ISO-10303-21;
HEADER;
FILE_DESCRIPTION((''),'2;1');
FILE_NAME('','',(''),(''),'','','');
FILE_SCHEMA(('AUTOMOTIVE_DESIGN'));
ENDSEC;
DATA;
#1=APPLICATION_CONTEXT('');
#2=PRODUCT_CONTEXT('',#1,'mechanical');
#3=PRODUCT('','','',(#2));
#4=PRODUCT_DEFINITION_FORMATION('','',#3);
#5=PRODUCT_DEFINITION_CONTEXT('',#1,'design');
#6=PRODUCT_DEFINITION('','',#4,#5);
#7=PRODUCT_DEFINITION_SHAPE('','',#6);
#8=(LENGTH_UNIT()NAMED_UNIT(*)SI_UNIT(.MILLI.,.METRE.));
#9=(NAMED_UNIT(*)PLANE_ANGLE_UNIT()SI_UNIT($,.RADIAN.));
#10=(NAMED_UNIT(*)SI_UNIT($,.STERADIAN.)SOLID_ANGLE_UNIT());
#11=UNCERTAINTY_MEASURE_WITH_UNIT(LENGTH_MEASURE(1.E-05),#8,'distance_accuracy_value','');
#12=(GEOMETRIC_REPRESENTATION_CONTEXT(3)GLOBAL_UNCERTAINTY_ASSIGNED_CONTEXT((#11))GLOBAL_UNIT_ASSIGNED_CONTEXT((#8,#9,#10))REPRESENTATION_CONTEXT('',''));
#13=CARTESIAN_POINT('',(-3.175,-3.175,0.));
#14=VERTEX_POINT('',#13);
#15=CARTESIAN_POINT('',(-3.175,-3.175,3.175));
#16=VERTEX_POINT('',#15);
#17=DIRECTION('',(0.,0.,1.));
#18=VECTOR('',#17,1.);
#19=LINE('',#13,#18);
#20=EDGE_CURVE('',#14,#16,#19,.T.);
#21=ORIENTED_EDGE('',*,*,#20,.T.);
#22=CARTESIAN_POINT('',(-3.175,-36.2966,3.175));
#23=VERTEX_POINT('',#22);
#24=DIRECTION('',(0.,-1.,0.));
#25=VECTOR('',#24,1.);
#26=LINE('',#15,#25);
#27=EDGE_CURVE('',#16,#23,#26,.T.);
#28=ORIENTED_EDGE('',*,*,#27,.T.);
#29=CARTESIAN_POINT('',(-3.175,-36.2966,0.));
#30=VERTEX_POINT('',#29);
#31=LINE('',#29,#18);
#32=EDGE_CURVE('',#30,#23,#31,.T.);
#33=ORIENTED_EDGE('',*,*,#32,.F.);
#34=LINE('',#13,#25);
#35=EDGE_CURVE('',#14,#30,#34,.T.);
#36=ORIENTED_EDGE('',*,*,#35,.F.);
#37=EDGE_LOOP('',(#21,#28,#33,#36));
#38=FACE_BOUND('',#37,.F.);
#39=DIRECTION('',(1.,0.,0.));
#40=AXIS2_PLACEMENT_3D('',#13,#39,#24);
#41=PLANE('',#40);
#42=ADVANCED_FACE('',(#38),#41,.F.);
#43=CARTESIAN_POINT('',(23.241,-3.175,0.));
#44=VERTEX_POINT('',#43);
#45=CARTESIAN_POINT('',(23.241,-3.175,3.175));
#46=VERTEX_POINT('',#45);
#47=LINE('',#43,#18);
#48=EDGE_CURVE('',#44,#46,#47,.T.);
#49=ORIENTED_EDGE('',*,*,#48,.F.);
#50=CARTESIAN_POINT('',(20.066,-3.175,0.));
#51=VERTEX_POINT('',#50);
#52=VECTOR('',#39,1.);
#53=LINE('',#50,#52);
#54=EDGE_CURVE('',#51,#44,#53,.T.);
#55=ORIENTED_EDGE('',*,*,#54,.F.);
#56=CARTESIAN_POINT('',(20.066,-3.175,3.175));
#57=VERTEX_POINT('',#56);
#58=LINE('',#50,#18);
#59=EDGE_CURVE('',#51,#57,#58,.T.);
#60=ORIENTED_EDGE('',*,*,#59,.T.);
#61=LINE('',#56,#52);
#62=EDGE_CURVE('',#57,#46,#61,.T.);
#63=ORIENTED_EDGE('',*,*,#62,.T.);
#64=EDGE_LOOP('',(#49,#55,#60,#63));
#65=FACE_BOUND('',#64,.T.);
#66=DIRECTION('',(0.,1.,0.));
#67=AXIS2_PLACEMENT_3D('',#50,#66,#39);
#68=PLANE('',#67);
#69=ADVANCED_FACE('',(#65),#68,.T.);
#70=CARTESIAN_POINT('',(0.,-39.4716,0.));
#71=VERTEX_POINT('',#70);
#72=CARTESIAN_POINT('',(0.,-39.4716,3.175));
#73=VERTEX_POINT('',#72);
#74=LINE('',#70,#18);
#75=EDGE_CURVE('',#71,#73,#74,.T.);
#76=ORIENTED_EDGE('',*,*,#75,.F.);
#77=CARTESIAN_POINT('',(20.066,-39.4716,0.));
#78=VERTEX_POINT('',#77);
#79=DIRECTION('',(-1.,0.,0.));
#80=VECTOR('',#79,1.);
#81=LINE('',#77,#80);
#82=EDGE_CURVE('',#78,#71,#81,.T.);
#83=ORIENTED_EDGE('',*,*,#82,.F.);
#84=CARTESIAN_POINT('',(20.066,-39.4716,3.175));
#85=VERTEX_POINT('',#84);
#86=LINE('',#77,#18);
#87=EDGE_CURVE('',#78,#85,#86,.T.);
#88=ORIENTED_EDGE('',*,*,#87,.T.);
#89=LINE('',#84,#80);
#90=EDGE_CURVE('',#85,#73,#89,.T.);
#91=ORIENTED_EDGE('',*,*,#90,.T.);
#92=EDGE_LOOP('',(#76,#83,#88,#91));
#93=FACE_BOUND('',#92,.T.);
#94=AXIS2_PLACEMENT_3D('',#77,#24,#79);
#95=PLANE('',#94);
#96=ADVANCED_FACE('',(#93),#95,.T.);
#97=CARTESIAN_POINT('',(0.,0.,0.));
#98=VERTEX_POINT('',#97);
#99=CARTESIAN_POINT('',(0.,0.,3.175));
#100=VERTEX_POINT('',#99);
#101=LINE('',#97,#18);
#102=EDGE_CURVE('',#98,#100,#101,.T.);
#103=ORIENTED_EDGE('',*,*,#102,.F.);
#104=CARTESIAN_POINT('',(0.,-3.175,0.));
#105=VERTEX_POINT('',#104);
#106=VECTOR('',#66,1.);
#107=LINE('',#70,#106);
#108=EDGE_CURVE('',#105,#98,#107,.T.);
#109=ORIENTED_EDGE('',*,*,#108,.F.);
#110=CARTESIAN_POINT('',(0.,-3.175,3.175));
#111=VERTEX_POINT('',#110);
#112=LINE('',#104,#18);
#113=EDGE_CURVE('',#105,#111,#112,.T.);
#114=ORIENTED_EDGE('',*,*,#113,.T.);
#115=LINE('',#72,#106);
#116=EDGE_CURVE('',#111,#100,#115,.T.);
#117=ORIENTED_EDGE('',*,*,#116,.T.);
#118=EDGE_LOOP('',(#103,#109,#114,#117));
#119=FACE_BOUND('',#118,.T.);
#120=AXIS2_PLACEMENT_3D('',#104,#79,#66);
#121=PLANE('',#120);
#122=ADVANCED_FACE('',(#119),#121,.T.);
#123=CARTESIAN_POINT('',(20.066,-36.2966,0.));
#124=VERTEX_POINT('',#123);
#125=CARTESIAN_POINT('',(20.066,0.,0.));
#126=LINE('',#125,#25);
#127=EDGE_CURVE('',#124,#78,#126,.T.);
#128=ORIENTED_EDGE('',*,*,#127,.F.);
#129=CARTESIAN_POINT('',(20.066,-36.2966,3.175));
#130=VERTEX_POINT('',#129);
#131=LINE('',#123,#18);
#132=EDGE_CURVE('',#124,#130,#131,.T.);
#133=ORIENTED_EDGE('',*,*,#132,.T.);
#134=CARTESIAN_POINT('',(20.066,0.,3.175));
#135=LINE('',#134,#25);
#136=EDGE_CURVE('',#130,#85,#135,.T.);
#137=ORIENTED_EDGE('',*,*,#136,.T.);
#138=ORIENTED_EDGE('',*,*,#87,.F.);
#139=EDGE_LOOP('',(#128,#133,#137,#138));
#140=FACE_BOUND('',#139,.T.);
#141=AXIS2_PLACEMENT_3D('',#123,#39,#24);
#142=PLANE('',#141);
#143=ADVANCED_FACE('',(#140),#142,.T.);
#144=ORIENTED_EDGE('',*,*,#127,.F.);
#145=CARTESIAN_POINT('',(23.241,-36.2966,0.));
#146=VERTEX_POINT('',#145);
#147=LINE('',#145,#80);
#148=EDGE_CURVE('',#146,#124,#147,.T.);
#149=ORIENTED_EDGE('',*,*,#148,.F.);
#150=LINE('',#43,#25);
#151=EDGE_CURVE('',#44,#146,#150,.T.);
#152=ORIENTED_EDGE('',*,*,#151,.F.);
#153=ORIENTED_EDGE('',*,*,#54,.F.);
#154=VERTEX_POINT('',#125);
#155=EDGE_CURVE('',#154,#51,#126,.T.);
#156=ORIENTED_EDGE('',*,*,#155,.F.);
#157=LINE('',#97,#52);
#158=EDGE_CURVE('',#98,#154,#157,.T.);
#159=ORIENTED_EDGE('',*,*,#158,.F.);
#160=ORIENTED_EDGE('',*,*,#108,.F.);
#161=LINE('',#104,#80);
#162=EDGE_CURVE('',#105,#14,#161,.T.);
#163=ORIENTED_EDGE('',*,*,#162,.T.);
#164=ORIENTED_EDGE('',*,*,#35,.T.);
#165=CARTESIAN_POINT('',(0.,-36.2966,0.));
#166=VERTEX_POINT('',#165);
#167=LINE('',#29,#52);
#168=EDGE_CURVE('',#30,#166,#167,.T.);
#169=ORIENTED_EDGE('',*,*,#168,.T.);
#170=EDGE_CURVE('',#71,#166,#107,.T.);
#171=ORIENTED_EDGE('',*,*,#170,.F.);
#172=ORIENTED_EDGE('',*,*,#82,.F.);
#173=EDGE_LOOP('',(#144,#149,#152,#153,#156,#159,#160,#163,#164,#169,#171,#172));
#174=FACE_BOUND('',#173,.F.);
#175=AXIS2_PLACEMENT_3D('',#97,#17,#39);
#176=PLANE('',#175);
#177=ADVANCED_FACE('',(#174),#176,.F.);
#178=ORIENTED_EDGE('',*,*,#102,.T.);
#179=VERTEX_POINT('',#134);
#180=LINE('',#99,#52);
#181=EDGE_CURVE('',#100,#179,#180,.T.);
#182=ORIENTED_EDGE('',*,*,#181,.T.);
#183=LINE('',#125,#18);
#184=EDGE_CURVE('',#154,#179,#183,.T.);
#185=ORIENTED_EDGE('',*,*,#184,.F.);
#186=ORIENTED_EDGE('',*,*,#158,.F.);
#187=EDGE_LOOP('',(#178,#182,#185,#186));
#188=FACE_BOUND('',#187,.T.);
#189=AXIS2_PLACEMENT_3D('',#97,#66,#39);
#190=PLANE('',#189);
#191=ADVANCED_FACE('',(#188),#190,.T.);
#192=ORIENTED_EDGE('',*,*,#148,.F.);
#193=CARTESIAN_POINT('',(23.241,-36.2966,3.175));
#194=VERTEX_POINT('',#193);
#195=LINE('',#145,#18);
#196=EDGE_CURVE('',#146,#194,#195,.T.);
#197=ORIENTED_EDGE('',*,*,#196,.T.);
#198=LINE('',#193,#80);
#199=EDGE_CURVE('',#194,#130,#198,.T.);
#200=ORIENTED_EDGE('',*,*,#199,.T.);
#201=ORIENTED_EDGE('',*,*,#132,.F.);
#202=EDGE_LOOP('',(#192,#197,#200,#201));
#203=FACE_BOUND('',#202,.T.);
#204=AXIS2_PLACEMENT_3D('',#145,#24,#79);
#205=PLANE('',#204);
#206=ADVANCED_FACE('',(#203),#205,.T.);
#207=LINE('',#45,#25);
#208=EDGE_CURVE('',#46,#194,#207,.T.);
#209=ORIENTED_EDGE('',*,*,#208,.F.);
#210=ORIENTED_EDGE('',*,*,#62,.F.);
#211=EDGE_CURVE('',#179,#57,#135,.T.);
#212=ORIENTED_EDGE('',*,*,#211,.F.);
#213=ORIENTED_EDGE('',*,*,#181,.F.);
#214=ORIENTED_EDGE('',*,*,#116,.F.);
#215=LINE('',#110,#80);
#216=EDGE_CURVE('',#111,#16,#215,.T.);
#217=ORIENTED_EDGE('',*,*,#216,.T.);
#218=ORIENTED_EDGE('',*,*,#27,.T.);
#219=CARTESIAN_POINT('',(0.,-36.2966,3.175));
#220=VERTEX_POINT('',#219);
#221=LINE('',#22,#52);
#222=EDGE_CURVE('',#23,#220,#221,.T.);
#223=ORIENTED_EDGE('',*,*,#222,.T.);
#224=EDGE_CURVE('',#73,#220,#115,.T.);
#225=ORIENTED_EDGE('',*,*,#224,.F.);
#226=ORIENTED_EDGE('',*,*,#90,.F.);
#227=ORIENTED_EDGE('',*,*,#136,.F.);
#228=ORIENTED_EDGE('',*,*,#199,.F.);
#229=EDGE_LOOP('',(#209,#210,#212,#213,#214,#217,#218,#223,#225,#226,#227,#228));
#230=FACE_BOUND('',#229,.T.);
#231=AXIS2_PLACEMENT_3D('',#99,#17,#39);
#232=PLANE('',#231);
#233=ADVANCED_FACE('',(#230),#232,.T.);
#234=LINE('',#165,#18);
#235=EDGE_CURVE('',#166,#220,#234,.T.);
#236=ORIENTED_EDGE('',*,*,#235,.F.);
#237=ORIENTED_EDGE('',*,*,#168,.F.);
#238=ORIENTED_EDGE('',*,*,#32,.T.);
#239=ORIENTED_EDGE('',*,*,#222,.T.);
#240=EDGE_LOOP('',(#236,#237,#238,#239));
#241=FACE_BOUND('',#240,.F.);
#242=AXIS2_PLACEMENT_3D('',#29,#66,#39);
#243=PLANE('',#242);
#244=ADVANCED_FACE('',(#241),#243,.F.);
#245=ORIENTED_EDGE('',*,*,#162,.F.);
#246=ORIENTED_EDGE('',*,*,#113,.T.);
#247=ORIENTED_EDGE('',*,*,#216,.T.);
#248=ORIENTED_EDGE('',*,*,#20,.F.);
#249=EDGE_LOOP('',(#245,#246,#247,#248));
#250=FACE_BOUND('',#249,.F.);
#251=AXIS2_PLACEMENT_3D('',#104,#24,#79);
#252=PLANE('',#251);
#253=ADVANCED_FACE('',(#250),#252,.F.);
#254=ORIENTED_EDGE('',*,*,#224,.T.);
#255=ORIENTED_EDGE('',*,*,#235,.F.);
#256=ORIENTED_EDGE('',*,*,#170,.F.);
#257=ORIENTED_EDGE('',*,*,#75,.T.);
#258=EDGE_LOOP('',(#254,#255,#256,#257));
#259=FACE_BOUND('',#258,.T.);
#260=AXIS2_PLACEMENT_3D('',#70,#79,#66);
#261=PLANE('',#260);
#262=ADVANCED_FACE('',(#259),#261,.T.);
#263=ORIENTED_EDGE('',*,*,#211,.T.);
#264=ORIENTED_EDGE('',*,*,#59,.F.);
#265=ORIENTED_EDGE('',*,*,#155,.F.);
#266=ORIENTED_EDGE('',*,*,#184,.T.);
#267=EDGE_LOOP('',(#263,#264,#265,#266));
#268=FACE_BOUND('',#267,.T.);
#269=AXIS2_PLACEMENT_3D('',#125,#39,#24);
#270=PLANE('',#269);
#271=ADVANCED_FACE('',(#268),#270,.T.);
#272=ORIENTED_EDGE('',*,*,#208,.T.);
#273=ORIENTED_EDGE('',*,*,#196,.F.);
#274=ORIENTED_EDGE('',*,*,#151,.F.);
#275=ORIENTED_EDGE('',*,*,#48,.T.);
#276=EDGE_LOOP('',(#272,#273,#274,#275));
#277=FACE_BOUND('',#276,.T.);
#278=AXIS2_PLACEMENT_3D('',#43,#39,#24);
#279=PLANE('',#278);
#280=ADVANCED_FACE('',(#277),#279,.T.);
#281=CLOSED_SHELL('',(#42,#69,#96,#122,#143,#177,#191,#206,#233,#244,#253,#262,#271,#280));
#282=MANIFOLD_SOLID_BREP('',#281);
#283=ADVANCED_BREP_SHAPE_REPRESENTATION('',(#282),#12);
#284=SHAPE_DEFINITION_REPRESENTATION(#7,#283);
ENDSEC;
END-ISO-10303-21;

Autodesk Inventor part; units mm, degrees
ref_plane "YZ Plane" through (0, 0, 0) normal (1, 0, 0) x (0, 1, 0)
ref_plane "XZ Plane" through (0, 0, 0) normal (0, 1, 0) x (-1, 0, 0)
ref_plane "XY Plane" through (0, 0, 0) normal (0, 0, 1) x (1, 0, 0)
sketch "Sketch1" plane through (0, 0, 0) normal (0, 0, 1) x (1, 0, 0)
  line L0 (0, 0) -> (20.066, 0)
  line L1 (20.066, 0) -> (20.066, -39.4716)
  line L2 (20.066, -39.4716) -> (0, -39.4716)
  line L3 (0, -39.4716) -> (0, 0)
  line L4 (0, -3.175) -> (-3.175, -3.175)
  line L5 (-3.175, -3.175) -> (-3.175, -36.2966)
  line L6 (-3.175, -36.2966) -> (0, -36.2966)
  line L7 (0, -36.2966) -> (0, -3.175)
  line L8 (20.066, -3.175) -> (23.241, -3.175)
  line L9 (23.241, -3.175) -> (23.241, -36.2966)
  line L10 (23.241, -36.2966) -> (20.066, -36.2966)
  line L11 (20.066, -36.2966) -> (20.066, -3.175)
  point P0 (-1.5875, -36.2966)
  point P1 (-1.5875, -3.175)
  dimension "d0" = 3.175
  dimension "d1" = 3.175
  dimension "d2" = 3.175
  dimension "d3" = 3.175
  dimension "d4" = 3.175
  dimension "d5" = 3.175
  dimension "d6" = 20.066
  dimension "d7" = 33.1216
extrude "Extrusion1" add sketch "Sketch1" along normal blind 3.175
properties part number "servo longer short side"
